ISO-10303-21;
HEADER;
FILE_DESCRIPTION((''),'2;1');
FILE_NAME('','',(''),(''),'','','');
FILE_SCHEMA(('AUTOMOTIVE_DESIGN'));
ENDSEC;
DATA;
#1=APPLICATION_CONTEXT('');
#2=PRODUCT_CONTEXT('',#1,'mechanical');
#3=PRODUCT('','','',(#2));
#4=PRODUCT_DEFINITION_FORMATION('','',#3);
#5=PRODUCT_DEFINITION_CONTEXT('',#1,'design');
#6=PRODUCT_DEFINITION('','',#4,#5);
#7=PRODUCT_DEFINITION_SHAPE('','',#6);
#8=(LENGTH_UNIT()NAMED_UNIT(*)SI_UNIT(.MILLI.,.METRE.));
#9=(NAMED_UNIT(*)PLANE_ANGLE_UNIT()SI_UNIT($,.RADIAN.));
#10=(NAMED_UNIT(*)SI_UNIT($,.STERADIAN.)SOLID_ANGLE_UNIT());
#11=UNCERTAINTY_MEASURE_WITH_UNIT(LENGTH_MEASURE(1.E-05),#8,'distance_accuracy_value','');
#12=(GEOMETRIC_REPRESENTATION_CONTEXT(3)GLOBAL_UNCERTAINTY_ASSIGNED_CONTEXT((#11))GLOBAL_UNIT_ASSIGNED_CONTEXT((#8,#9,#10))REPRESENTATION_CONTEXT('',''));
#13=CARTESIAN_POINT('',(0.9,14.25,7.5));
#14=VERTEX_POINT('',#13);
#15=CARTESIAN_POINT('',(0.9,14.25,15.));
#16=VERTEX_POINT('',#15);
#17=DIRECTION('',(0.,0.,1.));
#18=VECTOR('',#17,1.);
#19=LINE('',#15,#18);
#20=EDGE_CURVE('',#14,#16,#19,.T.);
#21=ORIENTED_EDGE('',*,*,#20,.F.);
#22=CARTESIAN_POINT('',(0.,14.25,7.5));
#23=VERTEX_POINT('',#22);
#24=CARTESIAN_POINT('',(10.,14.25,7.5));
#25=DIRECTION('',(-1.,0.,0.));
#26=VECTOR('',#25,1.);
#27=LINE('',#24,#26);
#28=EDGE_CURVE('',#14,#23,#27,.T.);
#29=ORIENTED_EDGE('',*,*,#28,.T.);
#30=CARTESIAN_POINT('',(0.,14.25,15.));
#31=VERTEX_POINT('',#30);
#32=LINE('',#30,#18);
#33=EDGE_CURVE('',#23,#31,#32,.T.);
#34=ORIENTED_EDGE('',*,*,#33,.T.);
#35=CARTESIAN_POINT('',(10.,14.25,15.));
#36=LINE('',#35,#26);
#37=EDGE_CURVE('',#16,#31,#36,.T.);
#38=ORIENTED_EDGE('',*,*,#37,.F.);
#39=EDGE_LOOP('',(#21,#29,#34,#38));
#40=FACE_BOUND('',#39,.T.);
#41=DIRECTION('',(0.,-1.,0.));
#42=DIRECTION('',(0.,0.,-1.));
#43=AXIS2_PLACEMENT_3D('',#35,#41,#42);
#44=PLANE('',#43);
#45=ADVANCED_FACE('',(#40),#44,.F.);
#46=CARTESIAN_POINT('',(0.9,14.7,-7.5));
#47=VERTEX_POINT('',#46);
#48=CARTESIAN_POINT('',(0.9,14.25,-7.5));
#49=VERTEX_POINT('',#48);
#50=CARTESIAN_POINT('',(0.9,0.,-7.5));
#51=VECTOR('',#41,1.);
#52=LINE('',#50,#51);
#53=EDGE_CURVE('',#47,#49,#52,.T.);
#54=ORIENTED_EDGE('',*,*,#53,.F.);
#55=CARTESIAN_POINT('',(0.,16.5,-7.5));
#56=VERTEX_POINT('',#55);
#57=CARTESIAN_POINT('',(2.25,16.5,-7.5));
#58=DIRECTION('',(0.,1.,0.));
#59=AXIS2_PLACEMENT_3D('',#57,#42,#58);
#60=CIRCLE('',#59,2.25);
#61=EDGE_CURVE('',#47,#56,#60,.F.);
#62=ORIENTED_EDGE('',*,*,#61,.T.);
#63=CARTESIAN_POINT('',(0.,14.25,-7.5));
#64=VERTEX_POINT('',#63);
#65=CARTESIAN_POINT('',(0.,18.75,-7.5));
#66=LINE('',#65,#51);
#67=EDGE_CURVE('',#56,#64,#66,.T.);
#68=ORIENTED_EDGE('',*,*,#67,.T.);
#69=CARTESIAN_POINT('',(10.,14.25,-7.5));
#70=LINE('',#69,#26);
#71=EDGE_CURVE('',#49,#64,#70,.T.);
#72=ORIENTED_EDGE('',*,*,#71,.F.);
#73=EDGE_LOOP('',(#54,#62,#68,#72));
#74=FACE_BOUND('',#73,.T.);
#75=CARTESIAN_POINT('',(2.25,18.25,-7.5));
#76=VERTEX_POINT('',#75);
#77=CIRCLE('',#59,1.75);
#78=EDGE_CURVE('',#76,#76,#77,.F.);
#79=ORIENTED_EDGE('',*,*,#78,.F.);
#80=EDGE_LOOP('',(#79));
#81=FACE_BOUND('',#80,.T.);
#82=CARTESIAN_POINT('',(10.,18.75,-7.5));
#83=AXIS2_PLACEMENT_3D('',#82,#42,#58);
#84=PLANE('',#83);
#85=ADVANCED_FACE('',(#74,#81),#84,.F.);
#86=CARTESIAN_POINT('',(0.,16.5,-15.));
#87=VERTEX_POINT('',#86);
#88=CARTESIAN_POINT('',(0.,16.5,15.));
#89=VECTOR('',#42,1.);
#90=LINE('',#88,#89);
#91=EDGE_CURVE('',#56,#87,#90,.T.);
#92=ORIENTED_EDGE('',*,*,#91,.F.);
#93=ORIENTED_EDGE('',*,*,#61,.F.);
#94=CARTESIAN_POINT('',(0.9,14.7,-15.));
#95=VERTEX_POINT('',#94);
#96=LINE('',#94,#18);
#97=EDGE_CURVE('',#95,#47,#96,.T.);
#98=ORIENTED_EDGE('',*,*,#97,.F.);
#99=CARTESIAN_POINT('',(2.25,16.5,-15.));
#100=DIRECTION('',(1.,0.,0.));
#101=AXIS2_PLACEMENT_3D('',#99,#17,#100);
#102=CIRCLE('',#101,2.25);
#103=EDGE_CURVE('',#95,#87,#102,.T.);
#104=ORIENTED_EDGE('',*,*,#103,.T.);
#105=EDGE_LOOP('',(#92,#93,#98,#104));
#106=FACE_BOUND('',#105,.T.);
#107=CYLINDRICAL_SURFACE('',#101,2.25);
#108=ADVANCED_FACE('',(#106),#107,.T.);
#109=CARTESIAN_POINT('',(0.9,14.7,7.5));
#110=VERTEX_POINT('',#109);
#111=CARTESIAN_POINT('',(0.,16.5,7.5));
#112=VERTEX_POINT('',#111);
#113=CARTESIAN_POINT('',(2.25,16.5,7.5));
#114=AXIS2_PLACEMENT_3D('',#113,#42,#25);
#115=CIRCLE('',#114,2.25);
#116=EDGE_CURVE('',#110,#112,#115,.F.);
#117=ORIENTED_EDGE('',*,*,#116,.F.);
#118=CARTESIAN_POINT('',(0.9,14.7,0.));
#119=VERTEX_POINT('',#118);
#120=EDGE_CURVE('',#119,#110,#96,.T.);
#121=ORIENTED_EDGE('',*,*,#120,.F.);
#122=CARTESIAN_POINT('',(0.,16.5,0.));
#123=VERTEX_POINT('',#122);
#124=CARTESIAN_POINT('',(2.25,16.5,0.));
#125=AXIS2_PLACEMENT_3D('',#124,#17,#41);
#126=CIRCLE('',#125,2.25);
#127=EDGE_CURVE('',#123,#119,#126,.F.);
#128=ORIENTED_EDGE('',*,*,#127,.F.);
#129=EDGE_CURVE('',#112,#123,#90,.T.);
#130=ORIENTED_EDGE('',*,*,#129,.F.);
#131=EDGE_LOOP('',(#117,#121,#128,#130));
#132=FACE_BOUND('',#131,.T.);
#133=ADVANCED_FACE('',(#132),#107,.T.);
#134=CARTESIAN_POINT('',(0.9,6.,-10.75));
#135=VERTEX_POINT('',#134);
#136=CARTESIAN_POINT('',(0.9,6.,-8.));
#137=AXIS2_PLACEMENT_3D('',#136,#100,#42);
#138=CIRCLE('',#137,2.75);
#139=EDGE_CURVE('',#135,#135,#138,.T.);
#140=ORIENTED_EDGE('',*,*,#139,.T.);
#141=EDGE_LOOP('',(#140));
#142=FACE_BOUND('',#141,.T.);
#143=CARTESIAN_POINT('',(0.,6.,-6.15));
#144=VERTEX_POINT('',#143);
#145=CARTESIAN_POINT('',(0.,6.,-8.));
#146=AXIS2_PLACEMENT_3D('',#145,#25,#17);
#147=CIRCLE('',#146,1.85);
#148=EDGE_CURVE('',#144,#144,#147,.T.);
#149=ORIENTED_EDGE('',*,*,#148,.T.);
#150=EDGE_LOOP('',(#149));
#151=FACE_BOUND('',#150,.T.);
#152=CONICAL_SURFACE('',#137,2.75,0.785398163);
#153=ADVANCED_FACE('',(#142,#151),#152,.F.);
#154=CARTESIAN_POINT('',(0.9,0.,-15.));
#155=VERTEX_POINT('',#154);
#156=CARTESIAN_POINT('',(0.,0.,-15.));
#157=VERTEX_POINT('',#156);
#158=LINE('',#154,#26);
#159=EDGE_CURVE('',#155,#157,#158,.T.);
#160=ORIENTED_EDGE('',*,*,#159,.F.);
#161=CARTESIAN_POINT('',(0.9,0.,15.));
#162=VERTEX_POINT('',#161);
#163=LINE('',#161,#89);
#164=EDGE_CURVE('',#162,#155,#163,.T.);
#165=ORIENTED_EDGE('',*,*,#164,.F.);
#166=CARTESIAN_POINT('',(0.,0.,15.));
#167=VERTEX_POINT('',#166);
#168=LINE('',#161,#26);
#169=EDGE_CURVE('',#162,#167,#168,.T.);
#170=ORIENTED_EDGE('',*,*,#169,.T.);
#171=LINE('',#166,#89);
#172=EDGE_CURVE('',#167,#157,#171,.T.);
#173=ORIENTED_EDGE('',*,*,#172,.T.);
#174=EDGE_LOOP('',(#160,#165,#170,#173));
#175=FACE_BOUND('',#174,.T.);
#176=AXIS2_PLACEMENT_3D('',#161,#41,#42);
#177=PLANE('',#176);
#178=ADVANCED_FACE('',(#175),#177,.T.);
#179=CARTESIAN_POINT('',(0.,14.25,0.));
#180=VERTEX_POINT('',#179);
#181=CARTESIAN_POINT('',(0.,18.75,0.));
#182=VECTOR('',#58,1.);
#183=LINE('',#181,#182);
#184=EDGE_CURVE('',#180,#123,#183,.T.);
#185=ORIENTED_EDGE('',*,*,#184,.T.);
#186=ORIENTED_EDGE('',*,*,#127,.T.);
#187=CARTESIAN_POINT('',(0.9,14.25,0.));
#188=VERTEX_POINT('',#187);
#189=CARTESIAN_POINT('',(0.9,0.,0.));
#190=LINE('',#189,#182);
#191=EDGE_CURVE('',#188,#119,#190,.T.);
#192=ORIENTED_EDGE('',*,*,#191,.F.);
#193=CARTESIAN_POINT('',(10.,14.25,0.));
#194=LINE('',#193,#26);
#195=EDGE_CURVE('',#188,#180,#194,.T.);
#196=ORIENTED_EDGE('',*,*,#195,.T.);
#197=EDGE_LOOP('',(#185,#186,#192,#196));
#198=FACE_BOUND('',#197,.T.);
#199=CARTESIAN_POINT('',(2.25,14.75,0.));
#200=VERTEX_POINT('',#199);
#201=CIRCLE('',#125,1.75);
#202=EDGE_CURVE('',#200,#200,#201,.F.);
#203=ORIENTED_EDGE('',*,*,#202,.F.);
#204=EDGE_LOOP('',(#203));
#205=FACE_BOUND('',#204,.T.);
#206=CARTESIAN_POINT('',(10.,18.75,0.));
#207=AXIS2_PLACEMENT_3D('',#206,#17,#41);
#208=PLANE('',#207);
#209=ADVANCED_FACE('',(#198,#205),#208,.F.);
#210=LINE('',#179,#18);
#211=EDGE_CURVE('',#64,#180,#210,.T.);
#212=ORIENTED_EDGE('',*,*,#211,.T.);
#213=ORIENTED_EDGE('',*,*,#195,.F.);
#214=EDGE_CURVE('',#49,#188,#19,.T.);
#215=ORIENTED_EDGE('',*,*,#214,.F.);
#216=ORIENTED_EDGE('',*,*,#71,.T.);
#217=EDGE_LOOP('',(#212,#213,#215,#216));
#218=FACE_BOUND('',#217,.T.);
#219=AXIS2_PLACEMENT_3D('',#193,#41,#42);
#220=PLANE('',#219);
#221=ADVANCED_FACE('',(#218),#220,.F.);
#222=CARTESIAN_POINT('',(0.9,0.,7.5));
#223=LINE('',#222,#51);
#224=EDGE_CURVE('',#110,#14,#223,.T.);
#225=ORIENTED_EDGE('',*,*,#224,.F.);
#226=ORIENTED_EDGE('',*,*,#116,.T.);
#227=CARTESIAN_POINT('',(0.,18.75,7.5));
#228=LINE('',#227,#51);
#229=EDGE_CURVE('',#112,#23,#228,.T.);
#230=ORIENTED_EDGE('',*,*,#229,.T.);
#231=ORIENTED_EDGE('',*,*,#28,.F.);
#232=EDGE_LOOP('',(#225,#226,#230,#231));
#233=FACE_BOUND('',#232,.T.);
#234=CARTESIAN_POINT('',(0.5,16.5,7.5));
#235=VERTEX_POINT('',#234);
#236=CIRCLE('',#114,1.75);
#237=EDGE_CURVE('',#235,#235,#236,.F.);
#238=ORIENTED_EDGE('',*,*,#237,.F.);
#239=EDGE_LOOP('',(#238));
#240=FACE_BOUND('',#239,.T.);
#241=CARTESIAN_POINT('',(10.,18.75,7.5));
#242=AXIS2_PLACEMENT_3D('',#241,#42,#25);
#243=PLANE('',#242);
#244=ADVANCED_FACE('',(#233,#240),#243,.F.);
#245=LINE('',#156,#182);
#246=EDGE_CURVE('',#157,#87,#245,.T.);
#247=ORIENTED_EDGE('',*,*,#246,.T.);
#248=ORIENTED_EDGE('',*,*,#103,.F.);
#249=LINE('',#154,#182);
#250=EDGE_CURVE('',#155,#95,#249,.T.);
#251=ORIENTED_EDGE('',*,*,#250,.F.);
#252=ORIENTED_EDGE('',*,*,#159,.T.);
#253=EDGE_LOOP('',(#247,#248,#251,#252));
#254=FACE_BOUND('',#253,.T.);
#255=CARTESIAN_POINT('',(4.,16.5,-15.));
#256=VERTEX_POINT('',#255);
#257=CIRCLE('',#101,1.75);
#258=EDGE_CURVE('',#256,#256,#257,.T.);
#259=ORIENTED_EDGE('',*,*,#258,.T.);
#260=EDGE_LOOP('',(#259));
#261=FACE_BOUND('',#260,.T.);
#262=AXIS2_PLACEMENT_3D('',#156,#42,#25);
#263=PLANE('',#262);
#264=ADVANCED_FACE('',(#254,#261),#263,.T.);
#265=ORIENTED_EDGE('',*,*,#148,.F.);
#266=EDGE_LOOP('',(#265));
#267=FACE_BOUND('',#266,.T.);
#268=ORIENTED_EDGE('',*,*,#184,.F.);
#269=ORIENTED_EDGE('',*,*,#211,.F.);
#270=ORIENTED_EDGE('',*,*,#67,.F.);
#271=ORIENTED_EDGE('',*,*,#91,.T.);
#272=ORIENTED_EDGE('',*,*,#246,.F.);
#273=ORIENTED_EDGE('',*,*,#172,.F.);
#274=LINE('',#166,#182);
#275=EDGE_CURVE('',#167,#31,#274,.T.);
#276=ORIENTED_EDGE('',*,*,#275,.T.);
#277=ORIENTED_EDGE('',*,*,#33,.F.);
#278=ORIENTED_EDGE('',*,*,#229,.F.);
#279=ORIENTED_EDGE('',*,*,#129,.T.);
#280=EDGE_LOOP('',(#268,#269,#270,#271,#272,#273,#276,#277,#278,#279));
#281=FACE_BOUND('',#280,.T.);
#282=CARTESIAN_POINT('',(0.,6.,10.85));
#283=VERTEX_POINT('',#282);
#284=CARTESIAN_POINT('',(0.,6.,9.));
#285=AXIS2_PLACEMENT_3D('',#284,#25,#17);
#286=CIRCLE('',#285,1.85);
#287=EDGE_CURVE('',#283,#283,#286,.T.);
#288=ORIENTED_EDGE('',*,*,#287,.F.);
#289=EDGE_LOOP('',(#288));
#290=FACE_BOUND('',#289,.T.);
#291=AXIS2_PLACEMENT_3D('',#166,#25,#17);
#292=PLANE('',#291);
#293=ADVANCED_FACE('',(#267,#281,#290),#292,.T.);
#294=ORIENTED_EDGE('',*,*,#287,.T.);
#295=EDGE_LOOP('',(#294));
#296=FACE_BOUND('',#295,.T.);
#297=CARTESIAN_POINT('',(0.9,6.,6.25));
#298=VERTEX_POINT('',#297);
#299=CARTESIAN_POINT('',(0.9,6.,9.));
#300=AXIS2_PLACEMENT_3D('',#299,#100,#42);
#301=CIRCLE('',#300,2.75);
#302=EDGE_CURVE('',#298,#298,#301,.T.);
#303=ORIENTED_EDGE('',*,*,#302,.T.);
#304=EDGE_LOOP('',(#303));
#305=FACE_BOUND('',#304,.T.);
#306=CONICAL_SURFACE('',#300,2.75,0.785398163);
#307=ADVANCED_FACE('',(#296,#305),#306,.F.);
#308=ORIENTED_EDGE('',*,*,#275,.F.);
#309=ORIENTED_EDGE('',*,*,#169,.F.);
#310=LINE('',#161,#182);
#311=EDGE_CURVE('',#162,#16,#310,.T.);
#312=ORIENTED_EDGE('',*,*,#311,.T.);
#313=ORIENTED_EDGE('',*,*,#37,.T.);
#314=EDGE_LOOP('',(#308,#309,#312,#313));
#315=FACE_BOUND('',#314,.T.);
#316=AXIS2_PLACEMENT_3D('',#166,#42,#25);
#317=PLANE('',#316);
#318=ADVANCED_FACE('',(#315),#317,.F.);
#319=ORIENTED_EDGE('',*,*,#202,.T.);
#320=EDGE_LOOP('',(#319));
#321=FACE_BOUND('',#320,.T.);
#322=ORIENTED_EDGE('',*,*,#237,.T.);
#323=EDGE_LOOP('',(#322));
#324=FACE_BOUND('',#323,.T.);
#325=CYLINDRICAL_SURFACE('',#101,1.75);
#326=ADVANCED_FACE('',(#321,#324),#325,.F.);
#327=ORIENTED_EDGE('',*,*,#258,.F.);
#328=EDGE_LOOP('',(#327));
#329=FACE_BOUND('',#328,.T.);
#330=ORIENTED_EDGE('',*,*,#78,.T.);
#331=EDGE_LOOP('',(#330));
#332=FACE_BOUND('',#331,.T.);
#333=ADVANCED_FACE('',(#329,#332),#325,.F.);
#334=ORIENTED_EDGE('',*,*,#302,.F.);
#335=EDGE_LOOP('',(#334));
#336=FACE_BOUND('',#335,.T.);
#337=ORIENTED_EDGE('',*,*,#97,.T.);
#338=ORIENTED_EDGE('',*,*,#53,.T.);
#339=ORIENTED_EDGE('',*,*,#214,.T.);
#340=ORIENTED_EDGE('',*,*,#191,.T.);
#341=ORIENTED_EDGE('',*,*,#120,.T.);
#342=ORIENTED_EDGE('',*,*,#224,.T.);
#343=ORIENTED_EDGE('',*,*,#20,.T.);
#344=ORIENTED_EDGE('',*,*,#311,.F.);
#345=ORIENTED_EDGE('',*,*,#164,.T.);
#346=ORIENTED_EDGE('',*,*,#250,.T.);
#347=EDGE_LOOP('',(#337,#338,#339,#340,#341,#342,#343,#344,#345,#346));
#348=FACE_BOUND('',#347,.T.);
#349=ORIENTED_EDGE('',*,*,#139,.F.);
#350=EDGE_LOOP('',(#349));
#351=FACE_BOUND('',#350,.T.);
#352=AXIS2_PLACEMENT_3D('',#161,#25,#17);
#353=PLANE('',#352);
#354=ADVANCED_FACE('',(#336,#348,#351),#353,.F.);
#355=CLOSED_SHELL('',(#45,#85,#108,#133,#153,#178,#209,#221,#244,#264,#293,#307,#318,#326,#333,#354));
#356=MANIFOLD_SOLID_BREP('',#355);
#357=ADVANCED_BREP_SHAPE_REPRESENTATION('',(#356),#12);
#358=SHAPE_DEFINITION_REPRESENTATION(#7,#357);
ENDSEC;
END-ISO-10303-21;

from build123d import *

# Parameters (mm, degrees)
SCHIZZO1_W                              = 0.9
SCHIZZO1_H                              = 16.5
ESTRUSIONE_SOTTILE1_DEPTH               = 15
SCHIZZO2_R                              = 2.25
SCHIZZO4_R                              = 1.75
TAGLIO_ESTRUSIONE1_DEPTH                = 36.662480284
SCHIZZO7_W                              = 7.5
SCHIZZO7_H                              = 4.5
TAGLIO_ESTRUSIONE13_DEPTH               = 10
FORO_SVASATO_PER_VITE_M2_5_1_AT_2_COUNT = 2
FORO_SVASATO_PER_VITE_M2_5_1_AT_2_PITCH = 17


with BuildPart() as part:
    # Schizzo1 → Estrusione-Sottile1 (new, symmetric)
    with BuildSketch(Plane.XY):
        with Locations((0.45, 8.25)):
            Rectangle(SCHIZZO1_W, SCHIZZO1_H)
    extrude(amount=ESTRUSIONE_SOTTILE1_DEPTH, both=True)

    # Sweep1: sweep along a curve in space
    with BuildLine() as sweep1_path:
        Line((0.9, 16.5, 15), (0.9, 16.5, -15))
    # Schizzo2 → Sweep1 (sweep)
    with BuildSketch(Plane.XY.offset(15)):
        with Locations((2.25, 16.5)):
            Circle(SCHIZZO2_R)
    sweep(path=sweep1_path.line)

    # Schizzo4 → Taglio-Estrusione1 (cut, through all)
    with BuildSketch(Plane.XY.offset(15)):
        with Locations((2.25, 16.5)):
            Circle(SCHIZZO4_R)
    extrude(amount=-TAGLIO_ESTRUSIONE1_DEPTH, mode=Mode.SUBTRACT)

    # Schizzo7 → Taglio-Estrusione13 (cut)
    with BuildSketch(Plane.ZY):
        with Locations((11.25, 16.5)):
            Rectangle(SCHIZZO7_W, SCHIZZO7_H)
        with Locations((-3.75, 16.5)):
            Rectangle(SCHIZZO7_W, SCHIZZO7_H)
    extrude(amount=-TAGLIO_ESTRUSIONE13_DEPTH, mode=Mode.SUBTRACT)

    # Schizzo8 → Foro svasato per Vite M2.5-1 (revolve, cut)
    with BuildSketch(Plane(origin=(0.9, 6, 9), x_dir=(0, 0, -1), z_dir=(0, 1, 0))):
        Polygon((0, 0), (0, 0.9), (1.45, 0.9), (1.45, 1.3), (2.75, 0), align=None)
    foro_svasato_per_vite_m2_5_1 = revolve(axis=Axis((7.25, 6, 9), (-1, 0, 0)), mode=Mode.SUBTRACT)

    # Foro svasato per Vite M2.5-1 at 2: Foro svasato per Vite M2.5-1 ×2
    with Locations(*[(0, 0, -i * FORO_SVASATO_PER_VITE_M2_5_1_AT_2_PITCH) for i in range(1, FORO_SVASATO_PER_VITE_M2_5_1_AT_2_COUNT)]):
        add(foro_svasato_per_vite_m2_5_1, mode=Mode.SUBTRACT)


solid = part.part
